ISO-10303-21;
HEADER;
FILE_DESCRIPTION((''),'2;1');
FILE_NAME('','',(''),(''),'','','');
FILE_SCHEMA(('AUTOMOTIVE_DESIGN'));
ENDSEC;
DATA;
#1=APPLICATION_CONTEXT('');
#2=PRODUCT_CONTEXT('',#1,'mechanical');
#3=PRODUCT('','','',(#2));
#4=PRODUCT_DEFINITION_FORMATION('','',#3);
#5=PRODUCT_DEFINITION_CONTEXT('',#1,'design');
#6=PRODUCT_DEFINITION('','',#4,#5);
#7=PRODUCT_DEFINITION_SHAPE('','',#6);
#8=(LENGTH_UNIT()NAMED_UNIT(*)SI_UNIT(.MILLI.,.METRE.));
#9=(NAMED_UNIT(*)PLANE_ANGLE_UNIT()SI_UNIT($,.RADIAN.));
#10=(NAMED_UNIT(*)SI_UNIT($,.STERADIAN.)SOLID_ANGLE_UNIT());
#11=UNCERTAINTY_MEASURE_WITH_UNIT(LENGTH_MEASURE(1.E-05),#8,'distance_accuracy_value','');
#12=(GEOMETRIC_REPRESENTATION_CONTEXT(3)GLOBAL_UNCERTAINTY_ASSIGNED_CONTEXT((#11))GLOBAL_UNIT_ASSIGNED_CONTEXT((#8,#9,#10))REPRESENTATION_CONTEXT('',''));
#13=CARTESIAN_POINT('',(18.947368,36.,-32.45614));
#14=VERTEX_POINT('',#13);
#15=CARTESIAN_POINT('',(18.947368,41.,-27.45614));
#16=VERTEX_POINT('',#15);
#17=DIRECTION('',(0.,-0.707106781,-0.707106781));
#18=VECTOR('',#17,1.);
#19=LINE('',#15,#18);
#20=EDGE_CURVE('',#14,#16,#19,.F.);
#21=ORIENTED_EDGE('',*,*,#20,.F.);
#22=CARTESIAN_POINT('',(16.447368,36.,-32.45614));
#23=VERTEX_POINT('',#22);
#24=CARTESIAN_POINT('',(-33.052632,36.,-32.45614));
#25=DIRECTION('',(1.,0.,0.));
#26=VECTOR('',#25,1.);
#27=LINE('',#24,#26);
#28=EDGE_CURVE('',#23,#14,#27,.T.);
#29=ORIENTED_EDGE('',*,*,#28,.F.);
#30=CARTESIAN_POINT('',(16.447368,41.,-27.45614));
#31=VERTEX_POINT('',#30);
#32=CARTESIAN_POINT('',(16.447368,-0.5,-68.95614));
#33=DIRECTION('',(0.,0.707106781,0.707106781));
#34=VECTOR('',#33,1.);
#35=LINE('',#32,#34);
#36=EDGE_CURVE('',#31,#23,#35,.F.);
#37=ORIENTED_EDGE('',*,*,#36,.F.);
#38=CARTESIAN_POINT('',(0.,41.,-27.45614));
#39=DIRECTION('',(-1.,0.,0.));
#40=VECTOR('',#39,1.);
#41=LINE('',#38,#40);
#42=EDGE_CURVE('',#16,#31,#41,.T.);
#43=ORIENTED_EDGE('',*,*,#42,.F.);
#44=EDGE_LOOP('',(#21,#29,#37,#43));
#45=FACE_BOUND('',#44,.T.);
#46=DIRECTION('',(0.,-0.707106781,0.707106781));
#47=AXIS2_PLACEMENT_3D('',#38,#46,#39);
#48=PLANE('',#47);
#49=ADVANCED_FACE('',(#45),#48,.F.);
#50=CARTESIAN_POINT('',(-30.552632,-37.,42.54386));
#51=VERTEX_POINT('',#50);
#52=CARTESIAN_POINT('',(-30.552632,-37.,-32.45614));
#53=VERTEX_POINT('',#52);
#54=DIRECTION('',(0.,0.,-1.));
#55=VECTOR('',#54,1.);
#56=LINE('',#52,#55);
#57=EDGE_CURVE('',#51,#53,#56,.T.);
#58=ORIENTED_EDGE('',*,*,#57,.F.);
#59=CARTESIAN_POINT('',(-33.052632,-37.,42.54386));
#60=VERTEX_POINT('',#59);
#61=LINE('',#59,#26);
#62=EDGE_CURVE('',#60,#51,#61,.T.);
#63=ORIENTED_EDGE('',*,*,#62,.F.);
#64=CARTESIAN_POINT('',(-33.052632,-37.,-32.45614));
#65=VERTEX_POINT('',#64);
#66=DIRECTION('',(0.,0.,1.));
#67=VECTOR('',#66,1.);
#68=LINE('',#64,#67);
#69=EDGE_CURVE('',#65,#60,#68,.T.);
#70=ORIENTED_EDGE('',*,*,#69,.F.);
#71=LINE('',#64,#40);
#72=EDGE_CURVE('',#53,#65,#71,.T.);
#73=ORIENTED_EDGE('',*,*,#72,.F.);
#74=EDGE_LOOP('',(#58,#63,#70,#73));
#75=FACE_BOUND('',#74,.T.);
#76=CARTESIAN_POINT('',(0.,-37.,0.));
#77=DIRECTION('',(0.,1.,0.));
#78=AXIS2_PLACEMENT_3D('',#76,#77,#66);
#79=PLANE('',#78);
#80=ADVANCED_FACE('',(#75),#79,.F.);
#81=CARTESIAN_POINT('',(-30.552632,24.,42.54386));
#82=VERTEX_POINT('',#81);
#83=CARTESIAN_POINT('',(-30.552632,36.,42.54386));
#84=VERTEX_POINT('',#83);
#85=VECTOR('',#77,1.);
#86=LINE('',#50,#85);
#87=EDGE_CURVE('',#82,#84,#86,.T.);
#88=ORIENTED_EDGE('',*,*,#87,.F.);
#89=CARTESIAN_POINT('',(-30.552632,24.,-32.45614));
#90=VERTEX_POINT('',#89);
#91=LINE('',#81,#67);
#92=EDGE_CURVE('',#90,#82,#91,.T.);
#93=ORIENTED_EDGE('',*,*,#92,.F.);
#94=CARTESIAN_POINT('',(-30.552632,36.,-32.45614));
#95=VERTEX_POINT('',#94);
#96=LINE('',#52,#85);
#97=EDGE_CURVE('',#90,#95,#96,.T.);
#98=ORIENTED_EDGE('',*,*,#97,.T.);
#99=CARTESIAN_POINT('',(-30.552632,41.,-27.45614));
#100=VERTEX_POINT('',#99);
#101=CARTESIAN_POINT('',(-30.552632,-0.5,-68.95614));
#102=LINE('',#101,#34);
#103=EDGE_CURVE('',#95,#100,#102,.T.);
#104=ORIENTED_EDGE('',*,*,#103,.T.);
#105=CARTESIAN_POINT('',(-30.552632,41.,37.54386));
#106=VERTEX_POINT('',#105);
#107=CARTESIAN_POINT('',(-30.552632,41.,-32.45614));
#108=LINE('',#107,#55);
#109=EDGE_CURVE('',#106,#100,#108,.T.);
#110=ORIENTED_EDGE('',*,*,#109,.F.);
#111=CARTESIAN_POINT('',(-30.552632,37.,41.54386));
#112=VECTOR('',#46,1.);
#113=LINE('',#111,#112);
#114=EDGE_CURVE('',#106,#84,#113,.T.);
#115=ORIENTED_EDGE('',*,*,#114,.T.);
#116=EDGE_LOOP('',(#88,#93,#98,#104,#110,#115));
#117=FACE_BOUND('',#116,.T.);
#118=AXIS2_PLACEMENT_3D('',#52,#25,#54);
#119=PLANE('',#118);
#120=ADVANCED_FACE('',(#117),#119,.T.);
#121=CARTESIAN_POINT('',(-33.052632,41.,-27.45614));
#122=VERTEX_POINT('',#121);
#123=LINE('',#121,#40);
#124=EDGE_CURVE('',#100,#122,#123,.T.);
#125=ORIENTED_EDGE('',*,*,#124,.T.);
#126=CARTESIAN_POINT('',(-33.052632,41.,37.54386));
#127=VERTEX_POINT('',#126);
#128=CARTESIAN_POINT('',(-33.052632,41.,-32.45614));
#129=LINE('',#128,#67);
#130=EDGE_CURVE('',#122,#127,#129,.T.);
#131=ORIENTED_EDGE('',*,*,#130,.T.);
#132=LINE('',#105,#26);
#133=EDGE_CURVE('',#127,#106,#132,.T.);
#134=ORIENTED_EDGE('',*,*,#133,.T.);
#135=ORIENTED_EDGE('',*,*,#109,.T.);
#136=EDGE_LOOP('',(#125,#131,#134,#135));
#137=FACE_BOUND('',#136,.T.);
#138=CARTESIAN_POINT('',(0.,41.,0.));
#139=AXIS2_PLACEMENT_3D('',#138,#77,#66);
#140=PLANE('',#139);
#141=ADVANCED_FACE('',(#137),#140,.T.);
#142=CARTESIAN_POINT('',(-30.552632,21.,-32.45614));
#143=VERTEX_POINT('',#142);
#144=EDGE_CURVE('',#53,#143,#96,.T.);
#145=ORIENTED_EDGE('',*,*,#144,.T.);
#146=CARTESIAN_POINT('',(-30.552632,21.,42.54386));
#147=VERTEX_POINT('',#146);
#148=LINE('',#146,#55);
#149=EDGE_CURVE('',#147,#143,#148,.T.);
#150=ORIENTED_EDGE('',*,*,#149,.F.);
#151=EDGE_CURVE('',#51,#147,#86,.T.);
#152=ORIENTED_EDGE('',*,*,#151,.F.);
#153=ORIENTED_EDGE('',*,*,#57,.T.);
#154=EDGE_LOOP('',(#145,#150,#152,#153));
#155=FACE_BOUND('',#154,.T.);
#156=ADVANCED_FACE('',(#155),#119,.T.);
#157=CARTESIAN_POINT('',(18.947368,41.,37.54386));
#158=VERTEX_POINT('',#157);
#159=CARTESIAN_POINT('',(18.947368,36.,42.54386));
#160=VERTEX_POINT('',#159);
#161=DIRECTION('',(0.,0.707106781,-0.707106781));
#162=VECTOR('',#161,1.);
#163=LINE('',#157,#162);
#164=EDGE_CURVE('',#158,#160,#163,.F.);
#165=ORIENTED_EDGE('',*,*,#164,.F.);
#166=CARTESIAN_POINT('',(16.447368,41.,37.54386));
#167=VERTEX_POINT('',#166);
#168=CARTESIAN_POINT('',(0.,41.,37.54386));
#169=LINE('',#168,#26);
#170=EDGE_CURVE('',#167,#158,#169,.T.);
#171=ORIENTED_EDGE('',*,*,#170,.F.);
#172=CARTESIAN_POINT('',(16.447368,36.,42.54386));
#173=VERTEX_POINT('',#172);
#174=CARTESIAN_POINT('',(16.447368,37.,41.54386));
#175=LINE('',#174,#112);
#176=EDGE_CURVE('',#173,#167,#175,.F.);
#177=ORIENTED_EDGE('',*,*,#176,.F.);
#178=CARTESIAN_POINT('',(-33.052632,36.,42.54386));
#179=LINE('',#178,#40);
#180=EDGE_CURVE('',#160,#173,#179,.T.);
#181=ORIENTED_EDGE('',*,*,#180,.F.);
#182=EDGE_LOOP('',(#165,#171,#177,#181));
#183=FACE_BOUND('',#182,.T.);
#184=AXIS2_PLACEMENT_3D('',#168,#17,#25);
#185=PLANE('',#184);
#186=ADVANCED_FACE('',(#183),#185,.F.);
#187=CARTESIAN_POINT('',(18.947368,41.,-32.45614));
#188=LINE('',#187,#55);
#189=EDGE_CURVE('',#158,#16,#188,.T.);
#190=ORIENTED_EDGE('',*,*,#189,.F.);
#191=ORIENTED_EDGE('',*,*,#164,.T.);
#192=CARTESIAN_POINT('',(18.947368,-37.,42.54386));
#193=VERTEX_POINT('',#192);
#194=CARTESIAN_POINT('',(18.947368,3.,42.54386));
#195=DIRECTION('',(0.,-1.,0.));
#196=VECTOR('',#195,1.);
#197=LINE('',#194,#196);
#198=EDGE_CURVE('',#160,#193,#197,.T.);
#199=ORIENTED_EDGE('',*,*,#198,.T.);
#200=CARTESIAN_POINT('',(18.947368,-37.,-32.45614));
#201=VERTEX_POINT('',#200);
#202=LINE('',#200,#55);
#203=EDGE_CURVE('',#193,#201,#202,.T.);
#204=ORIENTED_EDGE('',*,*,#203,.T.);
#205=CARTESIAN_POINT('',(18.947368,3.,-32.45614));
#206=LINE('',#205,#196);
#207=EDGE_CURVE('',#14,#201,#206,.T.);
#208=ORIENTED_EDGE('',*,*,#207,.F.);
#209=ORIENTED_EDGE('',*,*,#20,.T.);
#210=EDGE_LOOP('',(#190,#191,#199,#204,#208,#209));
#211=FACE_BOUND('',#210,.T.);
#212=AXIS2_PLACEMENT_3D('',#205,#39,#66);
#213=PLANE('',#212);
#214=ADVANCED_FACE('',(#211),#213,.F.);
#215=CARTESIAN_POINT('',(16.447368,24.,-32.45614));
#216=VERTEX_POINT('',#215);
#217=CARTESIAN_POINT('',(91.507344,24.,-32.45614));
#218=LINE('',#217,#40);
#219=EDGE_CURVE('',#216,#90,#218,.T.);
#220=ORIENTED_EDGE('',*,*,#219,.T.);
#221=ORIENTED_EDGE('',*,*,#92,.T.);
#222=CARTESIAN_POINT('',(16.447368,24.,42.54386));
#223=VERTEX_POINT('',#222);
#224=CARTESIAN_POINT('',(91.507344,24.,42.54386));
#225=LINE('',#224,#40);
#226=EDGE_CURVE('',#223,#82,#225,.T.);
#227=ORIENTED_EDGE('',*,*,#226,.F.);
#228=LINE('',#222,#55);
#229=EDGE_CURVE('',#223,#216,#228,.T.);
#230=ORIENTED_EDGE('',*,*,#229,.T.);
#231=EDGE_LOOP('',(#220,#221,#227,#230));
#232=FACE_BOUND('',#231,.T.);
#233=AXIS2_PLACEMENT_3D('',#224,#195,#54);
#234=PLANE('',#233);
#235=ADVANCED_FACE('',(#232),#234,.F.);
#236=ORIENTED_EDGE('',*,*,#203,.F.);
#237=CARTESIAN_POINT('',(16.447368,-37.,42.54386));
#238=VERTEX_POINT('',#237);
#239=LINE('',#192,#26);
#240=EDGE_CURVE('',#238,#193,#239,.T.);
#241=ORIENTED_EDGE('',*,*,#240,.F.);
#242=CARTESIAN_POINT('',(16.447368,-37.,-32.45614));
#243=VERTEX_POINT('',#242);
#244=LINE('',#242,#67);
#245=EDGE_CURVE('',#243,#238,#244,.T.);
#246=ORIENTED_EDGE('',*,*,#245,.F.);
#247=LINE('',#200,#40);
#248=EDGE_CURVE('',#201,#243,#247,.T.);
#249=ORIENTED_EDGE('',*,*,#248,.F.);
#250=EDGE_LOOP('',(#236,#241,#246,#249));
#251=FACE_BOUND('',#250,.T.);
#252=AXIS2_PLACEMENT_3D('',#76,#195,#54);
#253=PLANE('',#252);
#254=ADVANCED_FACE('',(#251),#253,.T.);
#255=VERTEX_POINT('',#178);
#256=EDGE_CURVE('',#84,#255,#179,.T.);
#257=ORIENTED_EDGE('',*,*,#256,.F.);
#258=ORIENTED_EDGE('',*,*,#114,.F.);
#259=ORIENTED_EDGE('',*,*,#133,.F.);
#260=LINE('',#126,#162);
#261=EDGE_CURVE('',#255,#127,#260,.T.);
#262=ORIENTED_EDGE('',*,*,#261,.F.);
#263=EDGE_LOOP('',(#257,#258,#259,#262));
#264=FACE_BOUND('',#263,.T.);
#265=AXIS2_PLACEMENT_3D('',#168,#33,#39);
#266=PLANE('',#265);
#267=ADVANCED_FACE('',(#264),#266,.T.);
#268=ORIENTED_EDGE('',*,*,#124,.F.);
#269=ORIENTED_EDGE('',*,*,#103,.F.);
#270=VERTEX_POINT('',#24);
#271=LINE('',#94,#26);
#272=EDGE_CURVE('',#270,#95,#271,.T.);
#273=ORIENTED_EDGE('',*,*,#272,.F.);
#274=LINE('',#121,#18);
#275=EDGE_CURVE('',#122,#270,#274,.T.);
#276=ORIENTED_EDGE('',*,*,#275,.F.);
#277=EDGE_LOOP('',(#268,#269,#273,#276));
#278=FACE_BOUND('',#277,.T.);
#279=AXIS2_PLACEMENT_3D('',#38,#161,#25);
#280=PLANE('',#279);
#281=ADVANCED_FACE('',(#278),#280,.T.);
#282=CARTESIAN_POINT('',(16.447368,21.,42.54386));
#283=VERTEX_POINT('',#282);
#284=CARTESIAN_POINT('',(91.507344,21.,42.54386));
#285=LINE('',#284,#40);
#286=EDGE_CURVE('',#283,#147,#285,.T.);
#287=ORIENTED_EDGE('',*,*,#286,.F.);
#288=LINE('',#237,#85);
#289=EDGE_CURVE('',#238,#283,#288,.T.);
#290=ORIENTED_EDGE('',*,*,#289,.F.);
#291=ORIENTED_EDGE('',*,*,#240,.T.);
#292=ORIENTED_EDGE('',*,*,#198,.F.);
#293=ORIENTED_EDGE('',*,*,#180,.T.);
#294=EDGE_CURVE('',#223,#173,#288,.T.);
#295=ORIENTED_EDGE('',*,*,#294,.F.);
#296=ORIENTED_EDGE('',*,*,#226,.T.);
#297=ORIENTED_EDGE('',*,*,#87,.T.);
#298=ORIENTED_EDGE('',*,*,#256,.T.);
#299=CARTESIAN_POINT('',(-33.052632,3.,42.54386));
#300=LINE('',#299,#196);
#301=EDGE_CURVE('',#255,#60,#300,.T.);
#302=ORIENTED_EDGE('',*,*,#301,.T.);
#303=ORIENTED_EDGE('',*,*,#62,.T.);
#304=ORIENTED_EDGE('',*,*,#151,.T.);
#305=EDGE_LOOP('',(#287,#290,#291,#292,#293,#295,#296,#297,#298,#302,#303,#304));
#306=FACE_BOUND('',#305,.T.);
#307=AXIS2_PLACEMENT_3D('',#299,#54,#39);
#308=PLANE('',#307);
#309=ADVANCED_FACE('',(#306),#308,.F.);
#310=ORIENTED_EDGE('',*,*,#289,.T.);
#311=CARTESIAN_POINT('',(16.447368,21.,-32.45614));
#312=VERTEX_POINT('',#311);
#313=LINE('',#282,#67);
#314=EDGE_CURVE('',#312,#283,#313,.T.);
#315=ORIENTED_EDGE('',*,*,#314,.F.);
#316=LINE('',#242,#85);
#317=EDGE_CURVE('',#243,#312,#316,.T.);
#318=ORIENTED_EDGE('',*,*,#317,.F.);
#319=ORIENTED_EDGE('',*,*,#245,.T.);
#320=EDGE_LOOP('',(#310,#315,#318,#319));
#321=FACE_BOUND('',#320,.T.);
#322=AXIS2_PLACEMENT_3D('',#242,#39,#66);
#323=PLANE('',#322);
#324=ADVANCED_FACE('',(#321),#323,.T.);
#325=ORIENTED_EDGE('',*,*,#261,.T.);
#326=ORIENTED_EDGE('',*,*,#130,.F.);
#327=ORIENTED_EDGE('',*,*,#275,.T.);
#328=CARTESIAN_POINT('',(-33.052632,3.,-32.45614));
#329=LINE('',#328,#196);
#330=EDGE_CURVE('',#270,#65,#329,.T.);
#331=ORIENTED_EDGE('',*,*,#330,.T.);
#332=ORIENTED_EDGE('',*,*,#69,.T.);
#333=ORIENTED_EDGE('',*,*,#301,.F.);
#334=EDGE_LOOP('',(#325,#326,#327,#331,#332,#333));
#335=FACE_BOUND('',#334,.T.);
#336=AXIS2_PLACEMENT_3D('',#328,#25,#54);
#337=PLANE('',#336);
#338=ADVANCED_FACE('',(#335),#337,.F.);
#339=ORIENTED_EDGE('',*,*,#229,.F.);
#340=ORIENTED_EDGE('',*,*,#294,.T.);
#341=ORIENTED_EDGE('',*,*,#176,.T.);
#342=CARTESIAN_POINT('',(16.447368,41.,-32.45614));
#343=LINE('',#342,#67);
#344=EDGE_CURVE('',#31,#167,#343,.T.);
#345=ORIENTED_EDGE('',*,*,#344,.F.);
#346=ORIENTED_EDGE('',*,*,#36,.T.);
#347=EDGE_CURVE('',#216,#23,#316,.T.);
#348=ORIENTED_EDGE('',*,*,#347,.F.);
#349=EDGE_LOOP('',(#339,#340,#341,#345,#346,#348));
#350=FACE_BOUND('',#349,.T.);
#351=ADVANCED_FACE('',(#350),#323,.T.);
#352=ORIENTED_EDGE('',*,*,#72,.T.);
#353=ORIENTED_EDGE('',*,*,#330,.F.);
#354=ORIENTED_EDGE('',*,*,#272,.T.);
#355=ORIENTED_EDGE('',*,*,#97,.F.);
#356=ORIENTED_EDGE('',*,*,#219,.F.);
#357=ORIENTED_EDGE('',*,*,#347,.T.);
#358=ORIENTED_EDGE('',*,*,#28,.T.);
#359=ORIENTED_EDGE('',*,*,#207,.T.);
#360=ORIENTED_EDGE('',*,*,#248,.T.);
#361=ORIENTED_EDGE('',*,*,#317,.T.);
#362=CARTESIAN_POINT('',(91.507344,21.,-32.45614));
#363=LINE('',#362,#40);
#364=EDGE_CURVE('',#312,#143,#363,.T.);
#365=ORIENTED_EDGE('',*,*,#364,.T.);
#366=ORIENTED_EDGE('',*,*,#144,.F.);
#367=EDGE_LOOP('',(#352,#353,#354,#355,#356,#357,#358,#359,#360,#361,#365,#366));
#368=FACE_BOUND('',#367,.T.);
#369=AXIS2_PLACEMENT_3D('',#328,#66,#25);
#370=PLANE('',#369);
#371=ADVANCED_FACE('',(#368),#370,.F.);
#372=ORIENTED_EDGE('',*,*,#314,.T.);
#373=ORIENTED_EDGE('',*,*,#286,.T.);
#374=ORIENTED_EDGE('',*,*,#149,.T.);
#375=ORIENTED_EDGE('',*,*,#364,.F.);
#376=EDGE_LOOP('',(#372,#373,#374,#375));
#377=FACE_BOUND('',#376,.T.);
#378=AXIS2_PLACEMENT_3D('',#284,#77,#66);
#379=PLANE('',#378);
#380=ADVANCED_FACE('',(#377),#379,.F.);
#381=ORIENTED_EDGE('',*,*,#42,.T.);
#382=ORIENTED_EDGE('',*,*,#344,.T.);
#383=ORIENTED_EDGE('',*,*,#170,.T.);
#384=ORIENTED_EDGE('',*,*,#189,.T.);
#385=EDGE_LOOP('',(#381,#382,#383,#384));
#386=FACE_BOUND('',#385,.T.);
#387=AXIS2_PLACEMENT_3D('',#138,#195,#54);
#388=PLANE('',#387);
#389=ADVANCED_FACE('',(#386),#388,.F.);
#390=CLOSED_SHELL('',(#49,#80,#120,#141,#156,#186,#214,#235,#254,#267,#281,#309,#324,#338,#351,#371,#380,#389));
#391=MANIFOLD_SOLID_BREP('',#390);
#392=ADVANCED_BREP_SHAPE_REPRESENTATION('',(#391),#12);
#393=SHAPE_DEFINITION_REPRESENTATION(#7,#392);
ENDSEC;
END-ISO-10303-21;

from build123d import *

# Parameters (mm, degrees)
SKETCH1_W                = 52
SKETCH1_H                = 75
BOSS_EXTRUDE1_DEPTH      = 3
BOSS_EXTRUDE2_DEPTH      = 38
BOSS_EXTRUDE2_DEPTH_BACK = 40
SKETCH2_W                = 2.5
SKETCH2_H                = 75
SKETCH5_W                = 75
SKETCH5_H                = 3
BOSS_EXTRUDE5_DEPTH      = 47
CUT_EXTRUDE1_DEPTH       = 92.643201899
CUT_EXTRUDE1_DEPTH_BACK  = 92.643201899
SKETCH6_W                = 47
SKETCH6_H                = 3
CHAMFER1_SIZE            = 5


with BuildPart() as part:
    # Sketch1 → Boss-Extrude1 (new body)
    with BuildSketch(Plane(origin=(0, 0, 0), x_dir=(1, 0, 0), z_dir=(0, 1, 0))):
        with Locations((-7.052631579, -5.043859649)):
            Rectangle(SKETCH1_W, SKETCH1_H)
    extrude(amount=BOSS_EXTRUDE1_DEPTH)

    # Sketch2 → Boss-Extrude2 (add, two sides: drawn at the far end of the back side and taken through both)
    with BuildSketch(Plane(origin=(0, 3, 0), x_dir=(1, 0, 0), z_dir=(0, 1, 0)).offset(-BOSS_EXTRUDE2_DEPTH_BACK)):
        with Locations((-31.802631579, -5.043859649)):
            Rectangle(SKETCH2_W, SKETCH2_H)
        with Locations((17.697368421, -5.043859649)):
            Rectangle(SKETCH2_W, SKETCH2_H)
    extrude(amount=BOSS_EXTRUDE2_DEPTH + BOSS_EXTRUDE2_DEPTH_BACK)

    # Sketch5 → Boss-Extrude5 (add)
    with BuildSketch(Plane(origin=(-30.552631579, 0, 0), x_dir=(0, 0, -1), z_dir=(1, 0, 0))):
        with Locations((-5.043859649, 22.5)):
            Rectangle(SKETCH5_W, SKETCH5_H)
    extrude(amount=BOSS_EXTRUDE5_DEPTH)

    # Sketch6 → Cut-Extrude1 (cut, two sides: drawn at the far end of the back side and taken through both)
    with BuildSketch(Plane.XY.offset(42.543859649).offset(-CUT_EXTRUDE1_DEPTH_BACK)):
        with Locations((-7.052631579, 1.5)):
            Rectangle(SKETCH6_W, SKETCH6_H)
    extrude(amount=CUT_EXTRUDE1_DEPTH + CUT_EXTRUDE1_DEPTH_BACK, mode=Mode.SUBTRACT)

    # Chamfer1
    chamfer1_edges = [part.edges().sort_by_distance(p)[0] for p in [
        (-31.802631579, 41, 42.543859649),
        (-31.802631579, 41, -32.456140351),
        (17.697368421, 41, -32.456140351),
        (17.697368421, 41, 42.543859649),
    ]]
    chamfer(chamfer1_edges, length=CHAMFER1_SIZE)


solid = part.part
